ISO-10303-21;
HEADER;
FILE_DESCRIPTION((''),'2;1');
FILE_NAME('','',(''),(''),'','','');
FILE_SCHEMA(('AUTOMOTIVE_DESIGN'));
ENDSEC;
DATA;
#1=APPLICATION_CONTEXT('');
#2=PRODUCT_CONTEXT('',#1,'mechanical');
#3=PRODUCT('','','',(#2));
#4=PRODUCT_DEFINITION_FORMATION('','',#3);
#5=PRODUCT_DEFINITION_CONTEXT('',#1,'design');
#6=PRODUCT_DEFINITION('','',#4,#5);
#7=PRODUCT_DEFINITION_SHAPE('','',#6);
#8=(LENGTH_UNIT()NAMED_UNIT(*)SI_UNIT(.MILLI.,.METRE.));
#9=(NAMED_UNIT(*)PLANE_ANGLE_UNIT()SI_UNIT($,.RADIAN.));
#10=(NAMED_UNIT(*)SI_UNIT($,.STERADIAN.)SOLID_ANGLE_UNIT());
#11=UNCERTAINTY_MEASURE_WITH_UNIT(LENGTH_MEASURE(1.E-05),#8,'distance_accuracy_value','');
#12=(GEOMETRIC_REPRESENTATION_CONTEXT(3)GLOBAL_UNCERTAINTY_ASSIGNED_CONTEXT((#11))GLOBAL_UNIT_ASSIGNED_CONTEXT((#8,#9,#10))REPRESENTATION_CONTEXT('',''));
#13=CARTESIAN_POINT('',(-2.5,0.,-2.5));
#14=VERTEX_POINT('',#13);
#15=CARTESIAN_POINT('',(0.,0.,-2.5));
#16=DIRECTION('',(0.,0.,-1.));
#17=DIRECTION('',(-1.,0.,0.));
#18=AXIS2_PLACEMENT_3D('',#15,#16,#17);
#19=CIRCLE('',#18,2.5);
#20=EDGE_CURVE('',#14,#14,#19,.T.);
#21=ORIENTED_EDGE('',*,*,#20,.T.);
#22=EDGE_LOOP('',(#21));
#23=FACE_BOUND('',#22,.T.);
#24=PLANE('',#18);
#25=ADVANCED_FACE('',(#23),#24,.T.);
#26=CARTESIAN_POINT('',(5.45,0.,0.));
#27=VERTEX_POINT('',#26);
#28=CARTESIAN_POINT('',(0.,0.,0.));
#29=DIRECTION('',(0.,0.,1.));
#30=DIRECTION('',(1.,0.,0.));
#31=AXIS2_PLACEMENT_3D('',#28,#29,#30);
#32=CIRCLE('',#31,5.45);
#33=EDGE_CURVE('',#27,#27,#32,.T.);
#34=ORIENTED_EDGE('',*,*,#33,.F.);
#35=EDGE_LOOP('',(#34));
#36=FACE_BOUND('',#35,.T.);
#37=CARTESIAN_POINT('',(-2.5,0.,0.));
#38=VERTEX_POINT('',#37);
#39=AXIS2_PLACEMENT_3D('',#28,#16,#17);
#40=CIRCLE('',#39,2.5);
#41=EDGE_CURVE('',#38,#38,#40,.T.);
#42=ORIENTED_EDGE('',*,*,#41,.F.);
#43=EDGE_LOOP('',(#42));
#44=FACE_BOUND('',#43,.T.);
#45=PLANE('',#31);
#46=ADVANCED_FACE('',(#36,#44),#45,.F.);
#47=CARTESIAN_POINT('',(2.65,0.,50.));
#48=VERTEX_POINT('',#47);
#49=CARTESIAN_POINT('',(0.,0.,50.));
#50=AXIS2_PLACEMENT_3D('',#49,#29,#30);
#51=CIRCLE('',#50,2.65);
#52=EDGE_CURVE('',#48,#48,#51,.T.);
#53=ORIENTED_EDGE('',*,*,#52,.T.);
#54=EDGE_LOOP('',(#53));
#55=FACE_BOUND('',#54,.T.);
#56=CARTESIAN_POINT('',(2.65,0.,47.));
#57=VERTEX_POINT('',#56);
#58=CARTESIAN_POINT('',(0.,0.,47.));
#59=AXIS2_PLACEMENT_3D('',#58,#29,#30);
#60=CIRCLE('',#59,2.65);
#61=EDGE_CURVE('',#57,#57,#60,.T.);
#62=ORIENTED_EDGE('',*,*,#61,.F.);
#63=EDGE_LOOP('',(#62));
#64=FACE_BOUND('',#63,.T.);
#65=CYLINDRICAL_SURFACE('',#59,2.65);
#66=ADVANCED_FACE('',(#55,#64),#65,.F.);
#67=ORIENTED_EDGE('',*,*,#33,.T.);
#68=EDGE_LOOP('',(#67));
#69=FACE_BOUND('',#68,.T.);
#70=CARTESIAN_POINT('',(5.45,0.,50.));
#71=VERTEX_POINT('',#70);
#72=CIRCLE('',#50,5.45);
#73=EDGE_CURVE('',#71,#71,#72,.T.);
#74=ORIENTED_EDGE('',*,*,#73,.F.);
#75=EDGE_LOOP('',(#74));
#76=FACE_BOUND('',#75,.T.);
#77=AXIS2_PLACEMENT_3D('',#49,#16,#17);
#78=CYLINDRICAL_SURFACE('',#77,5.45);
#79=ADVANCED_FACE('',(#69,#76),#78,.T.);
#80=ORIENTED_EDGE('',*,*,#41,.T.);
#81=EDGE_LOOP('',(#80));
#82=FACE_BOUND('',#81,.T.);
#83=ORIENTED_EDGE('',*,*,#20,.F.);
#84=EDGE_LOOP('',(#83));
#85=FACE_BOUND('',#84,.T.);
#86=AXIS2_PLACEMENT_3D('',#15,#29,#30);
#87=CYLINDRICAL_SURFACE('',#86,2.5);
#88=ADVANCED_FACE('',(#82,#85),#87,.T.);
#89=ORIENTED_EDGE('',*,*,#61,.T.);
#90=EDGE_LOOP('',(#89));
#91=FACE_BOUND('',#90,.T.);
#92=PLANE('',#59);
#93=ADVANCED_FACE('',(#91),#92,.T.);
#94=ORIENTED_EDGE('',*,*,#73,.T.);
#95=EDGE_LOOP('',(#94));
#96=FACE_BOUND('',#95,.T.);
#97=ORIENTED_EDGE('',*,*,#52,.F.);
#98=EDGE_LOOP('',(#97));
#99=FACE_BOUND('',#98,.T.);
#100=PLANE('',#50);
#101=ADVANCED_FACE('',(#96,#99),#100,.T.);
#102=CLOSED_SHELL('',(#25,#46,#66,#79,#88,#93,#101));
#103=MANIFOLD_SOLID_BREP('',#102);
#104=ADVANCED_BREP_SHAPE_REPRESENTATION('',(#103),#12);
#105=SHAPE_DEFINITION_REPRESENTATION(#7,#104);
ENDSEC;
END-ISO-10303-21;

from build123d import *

# Parameters (mm, degrees)
SKETCH1_R           = 5.45
BOSS_EXTRUDE1_DEPTH = 50
SKETCH6_R           = 2.5
BOSS_EXTRUDE2_DEPTH = 2.5
SKETCH7_R           = 2.65
CUT_EXTRUDE1_DEPTH  = 3


with BuildPart() as part:
    # Sketch1 → Boss-Extrude1 (new body)
    with BuildSketch(Plane.XY):
        Circle(SKETCH1_R)
    extrude(amount=BOSS_EXTRUDE1_DEPTH)

    # Sketch6 → Boss-Extrude2 (add)
    with BuildSketch(Plane(origin=(0, 0, 0), x_dir=(-1, 0, 0), z_dir=(0, 0, -1))):
        Circle(SKETCH6_R)
    extrude(amount=BOSS_EXTRUDE2_DEPTH)

    # Sketch7 → Cut-Extrude1 (cut)
    with BuildSketch(Plane.XY.offset(50)):
        Circle(SKETCH7_R)
    extrude(amount=-CUT_EXTRUDE1_DEPTH, mode=Mode.SUBTRACT)


solid = part.part
